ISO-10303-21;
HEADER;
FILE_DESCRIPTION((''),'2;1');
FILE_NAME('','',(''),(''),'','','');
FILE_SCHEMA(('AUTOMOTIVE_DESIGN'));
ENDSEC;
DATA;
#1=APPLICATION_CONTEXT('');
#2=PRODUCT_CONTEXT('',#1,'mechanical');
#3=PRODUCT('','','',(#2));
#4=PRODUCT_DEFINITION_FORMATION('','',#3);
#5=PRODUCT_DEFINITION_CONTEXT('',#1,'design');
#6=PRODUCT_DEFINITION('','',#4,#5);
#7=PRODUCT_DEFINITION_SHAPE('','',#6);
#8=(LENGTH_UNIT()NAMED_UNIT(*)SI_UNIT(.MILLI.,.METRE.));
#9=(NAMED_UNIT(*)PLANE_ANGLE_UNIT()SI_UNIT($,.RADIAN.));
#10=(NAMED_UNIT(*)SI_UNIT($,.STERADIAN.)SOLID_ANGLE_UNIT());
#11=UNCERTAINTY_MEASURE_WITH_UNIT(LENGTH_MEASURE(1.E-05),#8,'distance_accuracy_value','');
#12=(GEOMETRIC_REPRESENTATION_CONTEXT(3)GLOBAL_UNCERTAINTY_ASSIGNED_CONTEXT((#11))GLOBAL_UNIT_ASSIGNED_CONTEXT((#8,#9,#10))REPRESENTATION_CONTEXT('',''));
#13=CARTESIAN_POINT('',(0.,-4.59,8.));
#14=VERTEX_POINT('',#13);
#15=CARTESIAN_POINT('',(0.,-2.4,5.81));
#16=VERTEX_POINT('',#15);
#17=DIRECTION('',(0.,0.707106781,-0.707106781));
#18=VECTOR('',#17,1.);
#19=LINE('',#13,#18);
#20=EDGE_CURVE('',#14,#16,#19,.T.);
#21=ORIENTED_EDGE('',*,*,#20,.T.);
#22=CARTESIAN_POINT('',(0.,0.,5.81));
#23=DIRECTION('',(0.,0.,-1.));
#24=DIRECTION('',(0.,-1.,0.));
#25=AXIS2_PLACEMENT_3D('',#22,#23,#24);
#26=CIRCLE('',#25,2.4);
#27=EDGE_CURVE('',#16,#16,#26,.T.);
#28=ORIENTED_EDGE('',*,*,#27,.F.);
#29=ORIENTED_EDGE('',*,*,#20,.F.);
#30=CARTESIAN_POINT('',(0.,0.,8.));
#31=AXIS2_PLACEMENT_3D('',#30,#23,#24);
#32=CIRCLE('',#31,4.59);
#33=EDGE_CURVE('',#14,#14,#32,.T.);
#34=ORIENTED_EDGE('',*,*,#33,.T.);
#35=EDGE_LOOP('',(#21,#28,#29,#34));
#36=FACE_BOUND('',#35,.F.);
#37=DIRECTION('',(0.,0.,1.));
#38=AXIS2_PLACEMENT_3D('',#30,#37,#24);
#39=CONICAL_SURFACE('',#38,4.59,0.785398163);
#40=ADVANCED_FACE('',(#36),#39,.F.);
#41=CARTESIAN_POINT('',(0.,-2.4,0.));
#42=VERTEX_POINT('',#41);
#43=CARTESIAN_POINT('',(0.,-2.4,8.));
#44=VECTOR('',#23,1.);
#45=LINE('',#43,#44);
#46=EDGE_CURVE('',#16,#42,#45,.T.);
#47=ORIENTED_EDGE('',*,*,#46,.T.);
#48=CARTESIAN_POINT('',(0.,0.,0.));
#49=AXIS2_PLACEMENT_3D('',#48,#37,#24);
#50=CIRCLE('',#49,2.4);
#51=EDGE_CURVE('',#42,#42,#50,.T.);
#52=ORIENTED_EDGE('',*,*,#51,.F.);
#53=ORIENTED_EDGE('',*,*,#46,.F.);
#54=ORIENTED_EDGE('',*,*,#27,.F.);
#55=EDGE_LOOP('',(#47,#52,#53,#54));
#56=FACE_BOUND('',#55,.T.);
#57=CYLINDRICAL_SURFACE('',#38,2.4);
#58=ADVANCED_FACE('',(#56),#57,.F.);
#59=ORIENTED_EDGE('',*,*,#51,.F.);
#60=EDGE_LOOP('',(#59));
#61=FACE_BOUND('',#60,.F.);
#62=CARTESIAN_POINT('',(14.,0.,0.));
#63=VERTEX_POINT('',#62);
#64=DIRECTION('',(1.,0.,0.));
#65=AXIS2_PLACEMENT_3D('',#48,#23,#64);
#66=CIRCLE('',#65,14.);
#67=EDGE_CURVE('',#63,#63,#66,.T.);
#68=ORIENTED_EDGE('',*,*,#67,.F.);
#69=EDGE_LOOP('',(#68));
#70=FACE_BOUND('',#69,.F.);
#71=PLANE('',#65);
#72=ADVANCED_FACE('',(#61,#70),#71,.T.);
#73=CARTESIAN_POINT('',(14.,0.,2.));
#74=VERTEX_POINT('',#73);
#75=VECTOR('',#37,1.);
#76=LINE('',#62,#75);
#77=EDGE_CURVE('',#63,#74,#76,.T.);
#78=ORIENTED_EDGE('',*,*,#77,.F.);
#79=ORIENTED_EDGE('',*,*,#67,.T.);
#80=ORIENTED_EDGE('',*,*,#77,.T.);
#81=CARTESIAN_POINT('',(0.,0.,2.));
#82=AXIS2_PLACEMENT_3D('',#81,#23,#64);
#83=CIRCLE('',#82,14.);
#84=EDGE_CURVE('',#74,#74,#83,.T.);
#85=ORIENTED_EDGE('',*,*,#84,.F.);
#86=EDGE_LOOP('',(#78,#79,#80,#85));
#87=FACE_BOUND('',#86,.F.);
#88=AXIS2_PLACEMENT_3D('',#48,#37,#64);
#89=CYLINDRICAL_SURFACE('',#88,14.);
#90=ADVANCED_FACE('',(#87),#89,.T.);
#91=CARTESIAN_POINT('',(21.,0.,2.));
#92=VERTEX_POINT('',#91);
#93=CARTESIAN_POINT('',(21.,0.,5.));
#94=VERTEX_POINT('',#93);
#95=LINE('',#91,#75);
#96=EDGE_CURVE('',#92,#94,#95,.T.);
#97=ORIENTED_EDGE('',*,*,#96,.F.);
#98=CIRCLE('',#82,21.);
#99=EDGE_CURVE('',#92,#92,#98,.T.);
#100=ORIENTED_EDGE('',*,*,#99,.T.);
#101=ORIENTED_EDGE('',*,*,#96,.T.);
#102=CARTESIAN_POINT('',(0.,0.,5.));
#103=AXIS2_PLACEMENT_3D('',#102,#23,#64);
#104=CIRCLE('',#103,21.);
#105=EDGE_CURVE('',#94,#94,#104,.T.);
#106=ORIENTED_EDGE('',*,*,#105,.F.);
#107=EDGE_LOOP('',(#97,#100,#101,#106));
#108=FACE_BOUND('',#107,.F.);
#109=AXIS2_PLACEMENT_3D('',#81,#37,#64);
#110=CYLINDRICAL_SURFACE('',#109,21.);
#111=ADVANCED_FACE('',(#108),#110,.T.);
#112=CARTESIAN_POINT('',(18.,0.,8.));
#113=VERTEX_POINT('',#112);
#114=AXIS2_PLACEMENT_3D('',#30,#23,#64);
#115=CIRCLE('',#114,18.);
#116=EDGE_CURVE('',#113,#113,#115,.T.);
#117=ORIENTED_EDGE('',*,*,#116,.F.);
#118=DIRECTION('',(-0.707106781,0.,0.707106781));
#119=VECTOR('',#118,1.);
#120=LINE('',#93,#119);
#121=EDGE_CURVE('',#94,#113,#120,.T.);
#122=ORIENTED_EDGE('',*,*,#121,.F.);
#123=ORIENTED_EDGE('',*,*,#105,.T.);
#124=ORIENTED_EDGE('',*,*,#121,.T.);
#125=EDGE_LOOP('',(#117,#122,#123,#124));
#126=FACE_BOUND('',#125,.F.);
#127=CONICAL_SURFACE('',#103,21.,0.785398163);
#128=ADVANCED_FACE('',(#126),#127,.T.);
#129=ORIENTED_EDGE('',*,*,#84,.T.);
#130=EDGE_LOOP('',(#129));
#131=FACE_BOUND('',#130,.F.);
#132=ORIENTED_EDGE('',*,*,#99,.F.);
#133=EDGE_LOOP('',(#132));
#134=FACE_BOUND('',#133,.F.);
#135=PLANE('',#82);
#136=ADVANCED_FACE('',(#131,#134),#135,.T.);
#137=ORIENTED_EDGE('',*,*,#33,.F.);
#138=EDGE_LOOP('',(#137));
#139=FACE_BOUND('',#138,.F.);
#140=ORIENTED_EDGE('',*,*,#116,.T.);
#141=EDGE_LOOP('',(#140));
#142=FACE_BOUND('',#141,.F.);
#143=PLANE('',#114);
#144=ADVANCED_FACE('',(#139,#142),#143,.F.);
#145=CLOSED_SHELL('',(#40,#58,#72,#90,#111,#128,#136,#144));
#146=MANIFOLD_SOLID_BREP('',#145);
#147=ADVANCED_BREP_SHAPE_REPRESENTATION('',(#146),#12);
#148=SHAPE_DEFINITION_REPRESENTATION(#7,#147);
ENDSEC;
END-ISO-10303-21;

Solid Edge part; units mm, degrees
sketch "Sketch1" plane through (0, 0, 0) normal (0, -1, 0) x (1, 0, 0)
  line L0 (0, 0) -> (14, 0)
  line L1 (14, 0) -> (14, 2)
  line L2 (14, 2) -> (21, 2)
  line L3 (21, 2) -> (21, 8)
  line L4 (21, 8) -> (0, 8)
  dimension "D1" = 8
  dimension "D2" = 6
revolve "RevolvedProtrusion1" add sketch "Sketch1" angle 360 about axis through (0, 0, 10) along (0, 0, -1)
chamfer "Chamfer1" distance 3 angle 45 1 edges at (-21, 0, 8)
hole "Hole_1" at (0, 0, 8) direction (0, 0, -1) diameter 4.8 end up to next countersink diameter 9.18 countersink angle 90
properties material "Polyethylene, low density"
